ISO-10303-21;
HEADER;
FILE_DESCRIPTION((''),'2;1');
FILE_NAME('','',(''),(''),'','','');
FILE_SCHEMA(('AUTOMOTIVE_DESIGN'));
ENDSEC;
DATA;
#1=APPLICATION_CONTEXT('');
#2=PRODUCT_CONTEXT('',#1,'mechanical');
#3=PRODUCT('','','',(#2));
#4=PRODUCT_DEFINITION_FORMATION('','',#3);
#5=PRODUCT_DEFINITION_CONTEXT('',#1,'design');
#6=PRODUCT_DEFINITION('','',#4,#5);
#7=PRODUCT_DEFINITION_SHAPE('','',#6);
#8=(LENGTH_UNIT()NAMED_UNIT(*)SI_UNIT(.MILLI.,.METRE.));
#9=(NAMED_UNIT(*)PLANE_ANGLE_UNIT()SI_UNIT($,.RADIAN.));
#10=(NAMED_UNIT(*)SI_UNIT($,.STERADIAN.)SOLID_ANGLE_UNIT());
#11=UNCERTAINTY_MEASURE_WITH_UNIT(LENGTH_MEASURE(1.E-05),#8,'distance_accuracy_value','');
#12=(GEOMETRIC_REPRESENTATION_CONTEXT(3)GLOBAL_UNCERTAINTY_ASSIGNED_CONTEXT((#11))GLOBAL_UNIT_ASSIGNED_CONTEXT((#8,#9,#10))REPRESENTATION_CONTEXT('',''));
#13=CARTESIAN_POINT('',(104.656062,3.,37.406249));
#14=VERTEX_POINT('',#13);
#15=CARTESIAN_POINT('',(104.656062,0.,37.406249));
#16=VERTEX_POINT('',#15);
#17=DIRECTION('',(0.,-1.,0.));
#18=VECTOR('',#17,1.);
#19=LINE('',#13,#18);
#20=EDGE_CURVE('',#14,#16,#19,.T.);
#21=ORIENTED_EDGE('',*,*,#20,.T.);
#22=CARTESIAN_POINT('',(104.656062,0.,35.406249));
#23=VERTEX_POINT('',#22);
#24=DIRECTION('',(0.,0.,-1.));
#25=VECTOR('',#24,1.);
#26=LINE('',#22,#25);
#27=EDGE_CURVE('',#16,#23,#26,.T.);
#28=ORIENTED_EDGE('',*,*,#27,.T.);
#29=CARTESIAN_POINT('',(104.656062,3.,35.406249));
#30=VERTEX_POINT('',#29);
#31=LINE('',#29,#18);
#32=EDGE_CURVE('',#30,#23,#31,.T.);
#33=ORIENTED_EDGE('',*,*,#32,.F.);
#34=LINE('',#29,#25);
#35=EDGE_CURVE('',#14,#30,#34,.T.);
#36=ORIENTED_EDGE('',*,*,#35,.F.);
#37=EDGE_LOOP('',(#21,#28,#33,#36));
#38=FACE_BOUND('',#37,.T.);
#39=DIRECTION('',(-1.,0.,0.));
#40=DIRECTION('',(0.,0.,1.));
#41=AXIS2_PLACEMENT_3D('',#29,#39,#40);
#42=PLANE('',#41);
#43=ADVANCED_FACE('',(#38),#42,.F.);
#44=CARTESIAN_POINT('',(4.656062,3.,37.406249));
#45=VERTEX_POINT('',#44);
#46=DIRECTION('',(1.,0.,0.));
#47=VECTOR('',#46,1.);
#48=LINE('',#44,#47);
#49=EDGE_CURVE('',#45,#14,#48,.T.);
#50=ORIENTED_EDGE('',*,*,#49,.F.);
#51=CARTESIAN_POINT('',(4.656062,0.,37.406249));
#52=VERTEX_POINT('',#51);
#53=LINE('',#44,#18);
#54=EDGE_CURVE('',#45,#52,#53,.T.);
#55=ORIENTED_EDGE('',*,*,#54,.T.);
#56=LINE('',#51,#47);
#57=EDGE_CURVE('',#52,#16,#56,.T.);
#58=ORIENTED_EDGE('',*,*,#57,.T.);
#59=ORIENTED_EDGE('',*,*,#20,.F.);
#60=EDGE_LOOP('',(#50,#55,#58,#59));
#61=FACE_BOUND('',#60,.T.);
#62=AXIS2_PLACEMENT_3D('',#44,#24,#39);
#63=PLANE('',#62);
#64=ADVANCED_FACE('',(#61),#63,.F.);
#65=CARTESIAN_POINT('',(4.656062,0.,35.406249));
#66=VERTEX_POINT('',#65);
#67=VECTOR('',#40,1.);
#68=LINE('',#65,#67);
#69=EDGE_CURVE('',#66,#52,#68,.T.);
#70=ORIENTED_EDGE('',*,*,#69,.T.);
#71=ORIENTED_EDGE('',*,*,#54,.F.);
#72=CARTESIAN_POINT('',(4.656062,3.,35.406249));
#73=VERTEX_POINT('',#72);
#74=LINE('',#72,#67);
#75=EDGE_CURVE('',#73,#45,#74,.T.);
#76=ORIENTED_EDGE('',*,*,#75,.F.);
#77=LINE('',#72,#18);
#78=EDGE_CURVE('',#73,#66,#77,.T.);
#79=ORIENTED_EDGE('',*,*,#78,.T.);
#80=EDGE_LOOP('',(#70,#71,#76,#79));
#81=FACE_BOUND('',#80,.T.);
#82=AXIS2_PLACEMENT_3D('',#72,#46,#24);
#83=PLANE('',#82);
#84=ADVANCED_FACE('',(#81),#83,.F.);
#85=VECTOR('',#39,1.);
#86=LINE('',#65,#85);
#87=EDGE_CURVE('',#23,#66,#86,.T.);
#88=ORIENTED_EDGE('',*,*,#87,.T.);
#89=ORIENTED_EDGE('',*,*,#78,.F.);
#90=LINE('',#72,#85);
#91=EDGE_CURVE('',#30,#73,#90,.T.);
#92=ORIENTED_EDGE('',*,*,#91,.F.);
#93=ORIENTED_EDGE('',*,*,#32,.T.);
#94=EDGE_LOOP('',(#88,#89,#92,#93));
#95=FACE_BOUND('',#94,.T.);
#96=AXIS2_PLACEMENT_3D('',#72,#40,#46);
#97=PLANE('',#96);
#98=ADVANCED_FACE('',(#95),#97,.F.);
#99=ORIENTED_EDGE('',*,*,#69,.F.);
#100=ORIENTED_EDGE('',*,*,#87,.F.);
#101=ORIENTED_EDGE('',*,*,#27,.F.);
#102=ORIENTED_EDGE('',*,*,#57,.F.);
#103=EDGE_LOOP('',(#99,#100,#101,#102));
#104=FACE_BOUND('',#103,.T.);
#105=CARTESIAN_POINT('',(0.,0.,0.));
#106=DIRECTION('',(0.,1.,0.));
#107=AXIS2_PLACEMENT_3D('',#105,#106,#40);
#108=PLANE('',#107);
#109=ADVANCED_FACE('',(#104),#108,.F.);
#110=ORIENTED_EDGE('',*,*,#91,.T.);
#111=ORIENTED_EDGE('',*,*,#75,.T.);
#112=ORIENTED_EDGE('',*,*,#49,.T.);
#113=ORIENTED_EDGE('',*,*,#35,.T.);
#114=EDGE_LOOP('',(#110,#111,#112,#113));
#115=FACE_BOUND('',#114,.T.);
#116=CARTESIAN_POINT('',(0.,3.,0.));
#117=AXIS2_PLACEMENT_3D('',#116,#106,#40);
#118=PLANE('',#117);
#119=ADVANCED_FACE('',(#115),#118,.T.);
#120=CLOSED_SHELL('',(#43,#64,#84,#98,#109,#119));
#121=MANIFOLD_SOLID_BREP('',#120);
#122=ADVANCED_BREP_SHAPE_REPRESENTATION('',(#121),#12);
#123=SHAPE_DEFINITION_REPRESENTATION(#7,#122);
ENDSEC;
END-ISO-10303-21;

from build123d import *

# Parameters (mm, degrees)
SKETCH_1_W      = 100
SKETCH_1_H      = 2
EXTRUDE_1_DEPTH = 3


with BuildPart() as part:
    # 草图1 → 凸台-拉伸1 (new body)
    with BuildSketch(Plane(origin=(0, 0, 0), x_dir=(1, 0, 0), z_dir=(0, 1, 0))):
        with Locations((54.656061596, -36.406248691)):
            Rectangle(SKETCH_1_W, SKETCH_1_H)
    extrude(amount=EXTRUDE_1_DEPTH)


solid = part.part
